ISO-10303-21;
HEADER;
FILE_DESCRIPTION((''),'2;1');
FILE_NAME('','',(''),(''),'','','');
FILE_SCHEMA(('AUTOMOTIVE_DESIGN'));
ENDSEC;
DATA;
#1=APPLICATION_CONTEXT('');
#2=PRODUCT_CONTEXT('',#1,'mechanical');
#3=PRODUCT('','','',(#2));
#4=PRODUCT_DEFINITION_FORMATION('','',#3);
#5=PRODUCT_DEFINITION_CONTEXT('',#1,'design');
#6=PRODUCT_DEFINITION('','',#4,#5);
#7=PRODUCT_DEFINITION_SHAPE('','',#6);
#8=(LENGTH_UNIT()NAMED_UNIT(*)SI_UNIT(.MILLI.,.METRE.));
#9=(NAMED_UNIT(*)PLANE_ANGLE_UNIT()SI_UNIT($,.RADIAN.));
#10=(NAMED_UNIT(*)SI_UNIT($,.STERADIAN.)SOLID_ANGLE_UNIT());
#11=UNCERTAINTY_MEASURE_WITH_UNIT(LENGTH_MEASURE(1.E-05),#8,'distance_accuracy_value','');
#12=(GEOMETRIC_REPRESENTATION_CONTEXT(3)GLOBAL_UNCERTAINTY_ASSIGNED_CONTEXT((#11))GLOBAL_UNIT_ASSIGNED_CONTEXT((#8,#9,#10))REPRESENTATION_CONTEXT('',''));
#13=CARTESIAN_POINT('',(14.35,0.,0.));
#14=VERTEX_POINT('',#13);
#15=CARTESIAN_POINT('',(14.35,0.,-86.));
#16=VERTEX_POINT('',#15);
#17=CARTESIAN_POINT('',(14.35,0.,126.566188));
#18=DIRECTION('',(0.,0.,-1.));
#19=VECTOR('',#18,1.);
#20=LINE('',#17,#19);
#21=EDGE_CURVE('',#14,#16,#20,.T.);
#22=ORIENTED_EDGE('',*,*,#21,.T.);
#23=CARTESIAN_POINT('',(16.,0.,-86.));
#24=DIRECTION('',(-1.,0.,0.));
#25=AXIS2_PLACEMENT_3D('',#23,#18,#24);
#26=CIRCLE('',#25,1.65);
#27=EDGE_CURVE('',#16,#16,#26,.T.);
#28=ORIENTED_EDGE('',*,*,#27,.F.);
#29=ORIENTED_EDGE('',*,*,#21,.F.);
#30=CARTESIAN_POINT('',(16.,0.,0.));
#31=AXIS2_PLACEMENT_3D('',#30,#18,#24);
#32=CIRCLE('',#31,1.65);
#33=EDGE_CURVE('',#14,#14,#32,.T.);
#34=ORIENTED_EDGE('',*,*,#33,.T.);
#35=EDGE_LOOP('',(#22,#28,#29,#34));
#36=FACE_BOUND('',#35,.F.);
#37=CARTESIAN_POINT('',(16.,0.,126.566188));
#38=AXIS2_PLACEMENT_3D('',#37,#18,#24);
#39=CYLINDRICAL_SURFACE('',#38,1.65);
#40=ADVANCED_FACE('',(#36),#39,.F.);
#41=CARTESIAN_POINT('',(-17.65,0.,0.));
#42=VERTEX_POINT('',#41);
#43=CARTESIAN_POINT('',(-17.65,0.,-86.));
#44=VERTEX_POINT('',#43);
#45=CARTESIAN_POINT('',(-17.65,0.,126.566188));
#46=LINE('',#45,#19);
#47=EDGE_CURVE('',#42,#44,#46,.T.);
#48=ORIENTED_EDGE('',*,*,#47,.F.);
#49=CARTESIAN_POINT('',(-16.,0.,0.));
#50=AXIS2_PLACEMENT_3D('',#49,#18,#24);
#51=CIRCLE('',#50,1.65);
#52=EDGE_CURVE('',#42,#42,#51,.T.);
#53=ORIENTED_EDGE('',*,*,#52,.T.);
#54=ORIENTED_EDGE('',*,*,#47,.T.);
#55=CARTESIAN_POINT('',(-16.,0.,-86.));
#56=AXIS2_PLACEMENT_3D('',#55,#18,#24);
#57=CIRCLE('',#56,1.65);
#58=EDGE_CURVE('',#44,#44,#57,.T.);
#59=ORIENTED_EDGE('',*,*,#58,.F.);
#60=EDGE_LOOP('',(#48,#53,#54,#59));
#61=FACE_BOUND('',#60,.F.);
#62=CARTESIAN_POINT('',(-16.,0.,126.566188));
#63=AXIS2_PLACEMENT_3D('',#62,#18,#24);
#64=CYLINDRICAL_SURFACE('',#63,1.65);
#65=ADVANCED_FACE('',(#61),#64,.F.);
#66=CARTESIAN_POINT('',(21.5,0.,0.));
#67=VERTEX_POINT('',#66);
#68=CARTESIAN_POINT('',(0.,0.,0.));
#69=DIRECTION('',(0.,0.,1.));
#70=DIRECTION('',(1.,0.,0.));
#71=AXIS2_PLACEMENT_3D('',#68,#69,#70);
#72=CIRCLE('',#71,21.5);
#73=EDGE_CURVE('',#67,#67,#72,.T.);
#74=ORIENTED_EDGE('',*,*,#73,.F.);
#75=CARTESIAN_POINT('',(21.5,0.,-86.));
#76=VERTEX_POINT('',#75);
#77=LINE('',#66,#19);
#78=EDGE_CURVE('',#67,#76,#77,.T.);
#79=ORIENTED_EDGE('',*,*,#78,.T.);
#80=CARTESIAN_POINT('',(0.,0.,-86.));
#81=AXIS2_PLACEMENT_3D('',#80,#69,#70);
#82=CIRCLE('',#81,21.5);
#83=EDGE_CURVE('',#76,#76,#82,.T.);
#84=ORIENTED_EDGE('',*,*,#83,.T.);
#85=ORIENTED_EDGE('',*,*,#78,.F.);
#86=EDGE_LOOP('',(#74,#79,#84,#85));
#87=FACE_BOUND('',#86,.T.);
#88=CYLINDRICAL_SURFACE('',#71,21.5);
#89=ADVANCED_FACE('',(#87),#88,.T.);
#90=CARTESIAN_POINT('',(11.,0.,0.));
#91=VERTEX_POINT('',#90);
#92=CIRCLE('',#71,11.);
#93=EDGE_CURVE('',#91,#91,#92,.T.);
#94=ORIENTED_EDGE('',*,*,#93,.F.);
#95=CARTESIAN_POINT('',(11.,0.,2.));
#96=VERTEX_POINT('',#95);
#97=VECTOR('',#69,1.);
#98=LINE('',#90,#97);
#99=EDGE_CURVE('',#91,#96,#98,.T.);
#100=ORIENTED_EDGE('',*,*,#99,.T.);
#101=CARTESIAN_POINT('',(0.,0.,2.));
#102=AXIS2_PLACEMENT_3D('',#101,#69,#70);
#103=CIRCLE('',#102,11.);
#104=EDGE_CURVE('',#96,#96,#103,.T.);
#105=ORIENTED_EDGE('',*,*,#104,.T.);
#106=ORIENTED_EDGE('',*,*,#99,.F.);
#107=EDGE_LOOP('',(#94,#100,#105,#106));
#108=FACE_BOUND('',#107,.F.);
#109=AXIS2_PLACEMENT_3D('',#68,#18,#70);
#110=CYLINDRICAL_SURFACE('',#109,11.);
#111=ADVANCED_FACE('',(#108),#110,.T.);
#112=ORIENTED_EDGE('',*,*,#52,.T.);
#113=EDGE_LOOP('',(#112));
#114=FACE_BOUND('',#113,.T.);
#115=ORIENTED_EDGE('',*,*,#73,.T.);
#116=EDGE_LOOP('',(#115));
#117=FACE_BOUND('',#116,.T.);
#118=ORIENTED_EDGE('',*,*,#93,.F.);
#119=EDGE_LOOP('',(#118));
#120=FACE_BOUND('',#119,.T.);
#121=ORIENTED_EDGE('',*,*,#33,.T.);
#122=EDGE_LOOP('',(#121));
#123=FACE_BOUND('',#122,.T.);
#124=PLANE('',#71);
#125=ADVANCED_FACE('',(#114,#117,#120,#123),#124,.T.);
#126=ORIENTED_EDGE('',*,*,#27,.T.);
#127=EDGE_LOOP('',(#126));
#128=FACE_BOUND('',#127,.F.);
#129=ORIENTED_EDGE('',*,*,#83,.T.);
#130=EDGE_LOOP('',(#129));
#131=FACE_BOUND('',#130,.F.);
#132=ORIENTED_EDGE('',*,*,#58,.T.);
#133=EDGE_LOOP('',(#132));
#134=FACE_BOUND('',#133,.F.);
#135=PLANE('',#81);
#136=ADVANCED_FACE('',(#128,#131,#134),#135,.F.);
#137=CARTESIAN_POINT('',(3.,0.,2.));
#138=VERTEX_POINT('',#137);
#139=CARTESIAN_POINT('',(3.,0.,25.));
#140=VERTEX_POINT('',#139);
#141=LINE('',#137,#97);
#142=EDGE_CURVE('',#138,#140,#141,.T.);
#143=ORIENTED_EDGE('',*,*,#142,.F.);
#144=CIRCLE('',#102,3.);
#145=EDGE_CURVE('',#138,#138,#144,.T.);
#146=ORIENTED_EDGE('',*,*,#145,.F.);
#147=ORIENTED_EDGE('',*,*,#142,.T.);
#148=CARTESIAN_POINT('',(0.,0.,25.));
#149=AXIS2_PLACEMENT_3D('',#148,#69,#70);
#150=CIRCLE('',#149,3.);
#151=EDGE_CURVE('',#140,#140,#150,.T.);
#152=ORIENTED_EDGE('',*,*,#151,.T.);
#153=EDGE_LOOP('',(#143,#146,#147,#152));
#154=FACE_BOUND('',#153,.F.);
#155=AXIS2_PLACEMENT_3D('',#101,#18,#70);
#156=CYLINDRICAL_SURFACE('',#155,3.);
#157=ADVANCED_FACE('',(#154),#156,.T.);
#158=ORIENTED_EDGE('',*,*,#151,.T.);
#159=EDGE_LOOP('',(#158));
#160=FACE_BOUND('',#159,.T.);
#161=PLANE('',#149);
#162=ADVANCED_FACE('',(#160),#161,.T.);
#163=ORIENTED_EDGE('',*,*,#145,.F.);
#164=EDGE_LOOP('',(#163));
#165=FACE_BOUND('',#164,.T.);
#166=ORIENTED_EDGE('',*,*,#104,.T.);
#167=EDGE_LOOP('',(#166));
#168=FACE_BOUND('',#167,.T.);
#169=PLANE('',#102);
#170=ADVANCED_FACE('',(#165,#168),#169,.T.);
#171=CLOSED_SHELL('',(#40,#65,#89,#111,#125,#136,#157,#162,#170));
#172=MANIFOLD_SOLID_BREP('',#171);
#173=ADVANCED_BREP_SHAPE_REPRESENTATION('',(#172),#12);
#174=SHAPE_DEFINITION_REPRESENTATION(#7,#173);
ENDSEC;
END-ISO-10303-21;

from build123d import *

# Parameters (mm, degrees)
F0_R     = 21.5
F1_DEPTH = 86
F2_R     = 11
F3_DEPTH = 2
F4_R     = 3
F5_DEPTH = 23
F7_D     = 3.3


with BuildPart() as f1:
    # F0 (on Top) → F1 (new body)
    with BuildSketch(Plane.XY):
        Circle(F0_R)
    extrude(amount=-F1_DEPTH)

    # F2 (on face) → F3 (join)
    with BuildSketch(Plane.XY):
        Circle(F2_R)
    extrude(amount=F3_DEPTH)

    # F4 (on face) → F5 (join)
    with BuildSketch(Plane.XY.offset(2)):
        Circle(F4_R)
    extrude(amount=F5_DEPTH)

    # F7 (through all)
    with Locations(Plane.XY):
        with Locations((-16, 0), (16, 0)):
            Hole(F7_D / 2)


solid = f1.part
